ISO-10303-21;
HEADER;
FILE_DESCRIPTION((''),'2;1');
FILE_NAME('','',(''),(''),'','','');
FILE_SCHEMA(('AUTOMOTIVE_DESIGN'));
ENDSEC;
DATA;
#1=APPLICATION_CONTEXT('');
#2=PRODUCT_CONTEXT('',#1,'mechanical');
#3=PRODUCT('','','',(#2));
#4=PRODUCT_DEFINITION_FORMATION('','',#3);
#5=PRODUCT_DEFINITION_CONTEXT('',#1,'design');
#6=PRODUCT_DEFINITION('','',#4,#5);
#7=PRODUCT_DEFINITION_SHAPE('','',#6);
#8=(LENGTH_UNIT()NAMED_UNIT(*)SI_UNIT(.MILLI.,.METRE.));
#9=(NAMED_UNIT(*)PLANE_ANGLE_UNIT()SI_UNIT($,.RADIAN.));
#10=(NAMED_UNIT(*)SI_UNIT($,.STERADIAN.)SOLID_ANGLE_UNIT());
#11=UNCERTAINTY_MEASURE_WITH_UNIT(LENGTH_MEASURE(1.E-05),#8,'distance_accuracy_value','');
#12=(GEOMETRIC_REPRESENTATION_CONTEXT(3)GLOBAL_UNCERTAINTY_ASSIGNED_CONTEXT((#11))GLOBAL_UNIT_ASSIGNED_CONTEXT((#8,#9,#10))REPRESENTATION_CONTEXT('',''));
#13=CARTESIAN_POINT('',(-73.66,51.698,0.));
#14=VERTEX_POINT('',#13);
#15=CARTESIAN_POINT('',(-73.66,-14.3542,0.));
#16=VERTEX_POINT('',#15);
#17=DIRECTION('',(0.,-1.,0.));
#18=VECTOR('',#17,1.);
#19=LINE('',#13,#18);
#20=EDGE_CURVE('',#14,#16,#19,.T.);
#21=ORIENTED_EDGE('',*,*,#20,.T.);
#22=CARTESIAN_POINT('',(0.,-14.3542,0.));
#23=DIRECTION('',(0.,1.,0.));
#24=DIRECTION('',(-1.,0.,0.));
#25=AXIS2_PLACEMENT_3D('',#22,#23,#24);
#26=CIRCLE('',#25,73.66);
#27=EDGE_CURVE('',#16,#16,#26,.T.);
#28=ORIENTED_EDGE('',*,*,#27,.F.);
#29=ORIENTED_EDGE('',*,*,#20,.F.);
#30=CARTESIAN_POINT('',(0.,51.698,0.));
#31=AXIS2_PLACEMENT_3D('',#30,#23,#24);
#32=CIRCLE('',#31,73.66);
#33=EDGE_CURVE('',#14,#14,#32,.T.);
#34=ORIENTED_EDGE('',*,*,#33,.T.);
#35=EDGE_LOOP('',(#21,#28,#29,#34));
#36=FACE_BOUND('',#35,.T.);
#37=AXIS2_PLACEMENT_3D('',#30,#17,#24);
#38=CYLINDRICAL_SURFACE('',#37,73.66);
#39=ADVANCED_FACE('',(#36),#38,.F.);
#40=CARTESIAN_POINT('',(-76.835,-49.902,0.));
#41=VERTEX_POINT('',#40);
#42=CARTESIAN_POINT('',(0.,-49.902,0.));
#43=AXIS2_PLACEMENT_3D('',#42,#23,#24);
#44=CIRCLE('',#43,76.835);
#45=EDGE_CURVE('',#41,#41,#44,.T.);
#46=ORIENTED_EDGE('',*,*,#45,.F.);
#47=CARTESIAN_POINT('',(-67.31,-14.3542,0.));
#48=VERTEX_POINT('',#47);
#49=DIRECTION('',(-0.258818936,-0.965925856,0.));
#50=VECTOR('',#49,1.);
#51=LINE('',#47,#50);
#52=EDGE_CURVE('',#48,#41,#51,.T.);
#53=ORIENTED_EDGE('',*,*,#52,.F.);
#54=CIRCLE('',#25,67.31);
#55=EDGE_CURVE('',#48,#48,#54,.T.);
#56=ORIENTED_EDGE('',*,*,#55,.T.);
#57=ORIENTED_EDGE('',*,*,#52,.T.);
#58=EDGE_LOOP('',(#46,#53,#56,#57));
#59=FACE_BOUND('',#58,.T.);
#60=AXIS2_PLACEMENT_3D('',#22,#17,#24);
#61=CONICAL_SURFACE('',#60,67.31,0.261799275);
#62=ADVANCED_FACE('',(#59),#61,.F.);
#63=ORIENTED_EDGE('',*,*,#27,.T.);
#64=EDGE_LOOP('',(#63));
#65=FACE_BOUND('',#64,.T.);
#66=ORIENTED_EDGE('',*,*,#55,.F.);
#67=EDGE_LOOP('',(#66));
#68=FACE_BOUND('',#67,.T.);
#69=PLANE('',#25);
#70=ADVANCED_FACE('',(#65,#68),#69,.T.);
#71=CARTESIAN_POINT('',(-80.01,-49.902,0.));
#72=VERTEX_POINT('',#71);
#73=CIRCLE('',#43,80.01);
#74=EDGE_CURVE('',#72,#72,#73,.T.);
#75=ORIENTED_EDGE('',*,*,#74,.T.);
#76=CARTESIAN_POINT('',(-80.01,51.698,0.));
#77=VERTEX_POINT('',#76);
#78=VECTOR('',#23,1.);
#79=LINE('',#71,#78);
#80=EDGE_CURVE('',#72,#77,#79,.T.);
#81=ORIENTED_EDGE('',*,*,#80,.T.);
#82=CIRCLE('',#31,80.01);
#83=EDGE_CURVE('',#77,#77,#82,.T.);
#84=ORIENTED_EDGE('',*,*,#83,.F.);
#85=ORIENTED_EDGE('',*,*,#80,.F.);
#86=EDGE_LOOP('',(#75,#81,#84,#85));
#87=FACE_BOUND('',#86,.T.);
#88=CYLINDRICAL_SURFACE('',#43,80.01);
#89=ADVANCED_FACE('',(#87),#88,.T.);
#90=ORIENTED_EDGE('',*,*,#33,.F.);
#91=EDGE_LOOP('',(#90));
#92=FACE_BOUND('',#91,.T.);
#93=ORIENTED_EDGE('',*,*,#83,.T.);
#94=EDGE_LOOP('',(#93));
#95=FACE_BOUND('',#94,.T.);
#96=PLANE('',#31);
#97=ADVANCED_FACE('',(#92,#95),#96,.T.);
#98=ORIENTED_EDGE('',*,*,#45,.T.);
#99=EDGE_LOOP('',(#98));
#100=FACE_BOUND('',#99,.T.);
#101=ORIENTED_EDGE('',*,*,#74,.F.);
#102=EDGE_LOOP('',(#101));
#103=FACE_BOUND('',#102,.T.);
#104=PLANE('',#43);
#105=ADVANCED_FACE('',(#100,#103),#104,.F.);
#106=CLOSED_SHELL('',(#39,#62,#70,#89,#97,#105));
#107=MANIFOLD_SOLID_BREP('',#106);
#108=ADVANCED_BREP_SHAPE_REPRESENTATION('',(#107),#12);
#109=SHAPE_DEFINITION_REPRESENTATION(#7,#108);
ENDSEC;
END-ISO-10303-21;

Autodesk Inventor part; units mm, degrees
ref_plane "YZ Plane" through (0, 0, 0) normal (1, 0, 0) x (0, 1, 0)
ref_plane "XZ Plane" through (0, 0, 0) normal (0, 1, 0) x (-1, 0, 0)
ref_plane "XY Plane" through (0, 0, 0) normal (0, 0, 1) x (1, 0, 0)
sketch "Sketch1" plane through (0, 0, 0) normal (0, 0, 1) x (1, 0, 0)
  line L0 (-73.66, 51.698) -> (-73.66, -14.3542)
  line L1 (-73.66, -14.3542) -> (-67.31, -14.3542)
  line L2 (-67.31, -14.3542) -> (-76.835, -49.902)
  line L3 (-76.835, -49.902) -> (-80.01, -49.902)
  line L4 (-80.01, -49.902) -> (-80.01, 51.698)
  line L5 (-80.01, 51.698) -> (-73.66, 51.698)
  line L6 (0, -70.222) -> (0, 72.018) projected
  point P0 (0, 0)
  dimension "d0" = 6.35
  dimension "d1" = 3.175
  dimension "d2" = 105
  dimension "d3" = 67.31
  dimension "d4" = 6.35
  dimension "d6" = 101.6
revolve "Revolution1" add sketch "Sketch1" angle 360 about axis through (0, -10, 0) along (0, 1, 0)
properties part number "Skirt Master Sketch" material "Aluminum 6061"
